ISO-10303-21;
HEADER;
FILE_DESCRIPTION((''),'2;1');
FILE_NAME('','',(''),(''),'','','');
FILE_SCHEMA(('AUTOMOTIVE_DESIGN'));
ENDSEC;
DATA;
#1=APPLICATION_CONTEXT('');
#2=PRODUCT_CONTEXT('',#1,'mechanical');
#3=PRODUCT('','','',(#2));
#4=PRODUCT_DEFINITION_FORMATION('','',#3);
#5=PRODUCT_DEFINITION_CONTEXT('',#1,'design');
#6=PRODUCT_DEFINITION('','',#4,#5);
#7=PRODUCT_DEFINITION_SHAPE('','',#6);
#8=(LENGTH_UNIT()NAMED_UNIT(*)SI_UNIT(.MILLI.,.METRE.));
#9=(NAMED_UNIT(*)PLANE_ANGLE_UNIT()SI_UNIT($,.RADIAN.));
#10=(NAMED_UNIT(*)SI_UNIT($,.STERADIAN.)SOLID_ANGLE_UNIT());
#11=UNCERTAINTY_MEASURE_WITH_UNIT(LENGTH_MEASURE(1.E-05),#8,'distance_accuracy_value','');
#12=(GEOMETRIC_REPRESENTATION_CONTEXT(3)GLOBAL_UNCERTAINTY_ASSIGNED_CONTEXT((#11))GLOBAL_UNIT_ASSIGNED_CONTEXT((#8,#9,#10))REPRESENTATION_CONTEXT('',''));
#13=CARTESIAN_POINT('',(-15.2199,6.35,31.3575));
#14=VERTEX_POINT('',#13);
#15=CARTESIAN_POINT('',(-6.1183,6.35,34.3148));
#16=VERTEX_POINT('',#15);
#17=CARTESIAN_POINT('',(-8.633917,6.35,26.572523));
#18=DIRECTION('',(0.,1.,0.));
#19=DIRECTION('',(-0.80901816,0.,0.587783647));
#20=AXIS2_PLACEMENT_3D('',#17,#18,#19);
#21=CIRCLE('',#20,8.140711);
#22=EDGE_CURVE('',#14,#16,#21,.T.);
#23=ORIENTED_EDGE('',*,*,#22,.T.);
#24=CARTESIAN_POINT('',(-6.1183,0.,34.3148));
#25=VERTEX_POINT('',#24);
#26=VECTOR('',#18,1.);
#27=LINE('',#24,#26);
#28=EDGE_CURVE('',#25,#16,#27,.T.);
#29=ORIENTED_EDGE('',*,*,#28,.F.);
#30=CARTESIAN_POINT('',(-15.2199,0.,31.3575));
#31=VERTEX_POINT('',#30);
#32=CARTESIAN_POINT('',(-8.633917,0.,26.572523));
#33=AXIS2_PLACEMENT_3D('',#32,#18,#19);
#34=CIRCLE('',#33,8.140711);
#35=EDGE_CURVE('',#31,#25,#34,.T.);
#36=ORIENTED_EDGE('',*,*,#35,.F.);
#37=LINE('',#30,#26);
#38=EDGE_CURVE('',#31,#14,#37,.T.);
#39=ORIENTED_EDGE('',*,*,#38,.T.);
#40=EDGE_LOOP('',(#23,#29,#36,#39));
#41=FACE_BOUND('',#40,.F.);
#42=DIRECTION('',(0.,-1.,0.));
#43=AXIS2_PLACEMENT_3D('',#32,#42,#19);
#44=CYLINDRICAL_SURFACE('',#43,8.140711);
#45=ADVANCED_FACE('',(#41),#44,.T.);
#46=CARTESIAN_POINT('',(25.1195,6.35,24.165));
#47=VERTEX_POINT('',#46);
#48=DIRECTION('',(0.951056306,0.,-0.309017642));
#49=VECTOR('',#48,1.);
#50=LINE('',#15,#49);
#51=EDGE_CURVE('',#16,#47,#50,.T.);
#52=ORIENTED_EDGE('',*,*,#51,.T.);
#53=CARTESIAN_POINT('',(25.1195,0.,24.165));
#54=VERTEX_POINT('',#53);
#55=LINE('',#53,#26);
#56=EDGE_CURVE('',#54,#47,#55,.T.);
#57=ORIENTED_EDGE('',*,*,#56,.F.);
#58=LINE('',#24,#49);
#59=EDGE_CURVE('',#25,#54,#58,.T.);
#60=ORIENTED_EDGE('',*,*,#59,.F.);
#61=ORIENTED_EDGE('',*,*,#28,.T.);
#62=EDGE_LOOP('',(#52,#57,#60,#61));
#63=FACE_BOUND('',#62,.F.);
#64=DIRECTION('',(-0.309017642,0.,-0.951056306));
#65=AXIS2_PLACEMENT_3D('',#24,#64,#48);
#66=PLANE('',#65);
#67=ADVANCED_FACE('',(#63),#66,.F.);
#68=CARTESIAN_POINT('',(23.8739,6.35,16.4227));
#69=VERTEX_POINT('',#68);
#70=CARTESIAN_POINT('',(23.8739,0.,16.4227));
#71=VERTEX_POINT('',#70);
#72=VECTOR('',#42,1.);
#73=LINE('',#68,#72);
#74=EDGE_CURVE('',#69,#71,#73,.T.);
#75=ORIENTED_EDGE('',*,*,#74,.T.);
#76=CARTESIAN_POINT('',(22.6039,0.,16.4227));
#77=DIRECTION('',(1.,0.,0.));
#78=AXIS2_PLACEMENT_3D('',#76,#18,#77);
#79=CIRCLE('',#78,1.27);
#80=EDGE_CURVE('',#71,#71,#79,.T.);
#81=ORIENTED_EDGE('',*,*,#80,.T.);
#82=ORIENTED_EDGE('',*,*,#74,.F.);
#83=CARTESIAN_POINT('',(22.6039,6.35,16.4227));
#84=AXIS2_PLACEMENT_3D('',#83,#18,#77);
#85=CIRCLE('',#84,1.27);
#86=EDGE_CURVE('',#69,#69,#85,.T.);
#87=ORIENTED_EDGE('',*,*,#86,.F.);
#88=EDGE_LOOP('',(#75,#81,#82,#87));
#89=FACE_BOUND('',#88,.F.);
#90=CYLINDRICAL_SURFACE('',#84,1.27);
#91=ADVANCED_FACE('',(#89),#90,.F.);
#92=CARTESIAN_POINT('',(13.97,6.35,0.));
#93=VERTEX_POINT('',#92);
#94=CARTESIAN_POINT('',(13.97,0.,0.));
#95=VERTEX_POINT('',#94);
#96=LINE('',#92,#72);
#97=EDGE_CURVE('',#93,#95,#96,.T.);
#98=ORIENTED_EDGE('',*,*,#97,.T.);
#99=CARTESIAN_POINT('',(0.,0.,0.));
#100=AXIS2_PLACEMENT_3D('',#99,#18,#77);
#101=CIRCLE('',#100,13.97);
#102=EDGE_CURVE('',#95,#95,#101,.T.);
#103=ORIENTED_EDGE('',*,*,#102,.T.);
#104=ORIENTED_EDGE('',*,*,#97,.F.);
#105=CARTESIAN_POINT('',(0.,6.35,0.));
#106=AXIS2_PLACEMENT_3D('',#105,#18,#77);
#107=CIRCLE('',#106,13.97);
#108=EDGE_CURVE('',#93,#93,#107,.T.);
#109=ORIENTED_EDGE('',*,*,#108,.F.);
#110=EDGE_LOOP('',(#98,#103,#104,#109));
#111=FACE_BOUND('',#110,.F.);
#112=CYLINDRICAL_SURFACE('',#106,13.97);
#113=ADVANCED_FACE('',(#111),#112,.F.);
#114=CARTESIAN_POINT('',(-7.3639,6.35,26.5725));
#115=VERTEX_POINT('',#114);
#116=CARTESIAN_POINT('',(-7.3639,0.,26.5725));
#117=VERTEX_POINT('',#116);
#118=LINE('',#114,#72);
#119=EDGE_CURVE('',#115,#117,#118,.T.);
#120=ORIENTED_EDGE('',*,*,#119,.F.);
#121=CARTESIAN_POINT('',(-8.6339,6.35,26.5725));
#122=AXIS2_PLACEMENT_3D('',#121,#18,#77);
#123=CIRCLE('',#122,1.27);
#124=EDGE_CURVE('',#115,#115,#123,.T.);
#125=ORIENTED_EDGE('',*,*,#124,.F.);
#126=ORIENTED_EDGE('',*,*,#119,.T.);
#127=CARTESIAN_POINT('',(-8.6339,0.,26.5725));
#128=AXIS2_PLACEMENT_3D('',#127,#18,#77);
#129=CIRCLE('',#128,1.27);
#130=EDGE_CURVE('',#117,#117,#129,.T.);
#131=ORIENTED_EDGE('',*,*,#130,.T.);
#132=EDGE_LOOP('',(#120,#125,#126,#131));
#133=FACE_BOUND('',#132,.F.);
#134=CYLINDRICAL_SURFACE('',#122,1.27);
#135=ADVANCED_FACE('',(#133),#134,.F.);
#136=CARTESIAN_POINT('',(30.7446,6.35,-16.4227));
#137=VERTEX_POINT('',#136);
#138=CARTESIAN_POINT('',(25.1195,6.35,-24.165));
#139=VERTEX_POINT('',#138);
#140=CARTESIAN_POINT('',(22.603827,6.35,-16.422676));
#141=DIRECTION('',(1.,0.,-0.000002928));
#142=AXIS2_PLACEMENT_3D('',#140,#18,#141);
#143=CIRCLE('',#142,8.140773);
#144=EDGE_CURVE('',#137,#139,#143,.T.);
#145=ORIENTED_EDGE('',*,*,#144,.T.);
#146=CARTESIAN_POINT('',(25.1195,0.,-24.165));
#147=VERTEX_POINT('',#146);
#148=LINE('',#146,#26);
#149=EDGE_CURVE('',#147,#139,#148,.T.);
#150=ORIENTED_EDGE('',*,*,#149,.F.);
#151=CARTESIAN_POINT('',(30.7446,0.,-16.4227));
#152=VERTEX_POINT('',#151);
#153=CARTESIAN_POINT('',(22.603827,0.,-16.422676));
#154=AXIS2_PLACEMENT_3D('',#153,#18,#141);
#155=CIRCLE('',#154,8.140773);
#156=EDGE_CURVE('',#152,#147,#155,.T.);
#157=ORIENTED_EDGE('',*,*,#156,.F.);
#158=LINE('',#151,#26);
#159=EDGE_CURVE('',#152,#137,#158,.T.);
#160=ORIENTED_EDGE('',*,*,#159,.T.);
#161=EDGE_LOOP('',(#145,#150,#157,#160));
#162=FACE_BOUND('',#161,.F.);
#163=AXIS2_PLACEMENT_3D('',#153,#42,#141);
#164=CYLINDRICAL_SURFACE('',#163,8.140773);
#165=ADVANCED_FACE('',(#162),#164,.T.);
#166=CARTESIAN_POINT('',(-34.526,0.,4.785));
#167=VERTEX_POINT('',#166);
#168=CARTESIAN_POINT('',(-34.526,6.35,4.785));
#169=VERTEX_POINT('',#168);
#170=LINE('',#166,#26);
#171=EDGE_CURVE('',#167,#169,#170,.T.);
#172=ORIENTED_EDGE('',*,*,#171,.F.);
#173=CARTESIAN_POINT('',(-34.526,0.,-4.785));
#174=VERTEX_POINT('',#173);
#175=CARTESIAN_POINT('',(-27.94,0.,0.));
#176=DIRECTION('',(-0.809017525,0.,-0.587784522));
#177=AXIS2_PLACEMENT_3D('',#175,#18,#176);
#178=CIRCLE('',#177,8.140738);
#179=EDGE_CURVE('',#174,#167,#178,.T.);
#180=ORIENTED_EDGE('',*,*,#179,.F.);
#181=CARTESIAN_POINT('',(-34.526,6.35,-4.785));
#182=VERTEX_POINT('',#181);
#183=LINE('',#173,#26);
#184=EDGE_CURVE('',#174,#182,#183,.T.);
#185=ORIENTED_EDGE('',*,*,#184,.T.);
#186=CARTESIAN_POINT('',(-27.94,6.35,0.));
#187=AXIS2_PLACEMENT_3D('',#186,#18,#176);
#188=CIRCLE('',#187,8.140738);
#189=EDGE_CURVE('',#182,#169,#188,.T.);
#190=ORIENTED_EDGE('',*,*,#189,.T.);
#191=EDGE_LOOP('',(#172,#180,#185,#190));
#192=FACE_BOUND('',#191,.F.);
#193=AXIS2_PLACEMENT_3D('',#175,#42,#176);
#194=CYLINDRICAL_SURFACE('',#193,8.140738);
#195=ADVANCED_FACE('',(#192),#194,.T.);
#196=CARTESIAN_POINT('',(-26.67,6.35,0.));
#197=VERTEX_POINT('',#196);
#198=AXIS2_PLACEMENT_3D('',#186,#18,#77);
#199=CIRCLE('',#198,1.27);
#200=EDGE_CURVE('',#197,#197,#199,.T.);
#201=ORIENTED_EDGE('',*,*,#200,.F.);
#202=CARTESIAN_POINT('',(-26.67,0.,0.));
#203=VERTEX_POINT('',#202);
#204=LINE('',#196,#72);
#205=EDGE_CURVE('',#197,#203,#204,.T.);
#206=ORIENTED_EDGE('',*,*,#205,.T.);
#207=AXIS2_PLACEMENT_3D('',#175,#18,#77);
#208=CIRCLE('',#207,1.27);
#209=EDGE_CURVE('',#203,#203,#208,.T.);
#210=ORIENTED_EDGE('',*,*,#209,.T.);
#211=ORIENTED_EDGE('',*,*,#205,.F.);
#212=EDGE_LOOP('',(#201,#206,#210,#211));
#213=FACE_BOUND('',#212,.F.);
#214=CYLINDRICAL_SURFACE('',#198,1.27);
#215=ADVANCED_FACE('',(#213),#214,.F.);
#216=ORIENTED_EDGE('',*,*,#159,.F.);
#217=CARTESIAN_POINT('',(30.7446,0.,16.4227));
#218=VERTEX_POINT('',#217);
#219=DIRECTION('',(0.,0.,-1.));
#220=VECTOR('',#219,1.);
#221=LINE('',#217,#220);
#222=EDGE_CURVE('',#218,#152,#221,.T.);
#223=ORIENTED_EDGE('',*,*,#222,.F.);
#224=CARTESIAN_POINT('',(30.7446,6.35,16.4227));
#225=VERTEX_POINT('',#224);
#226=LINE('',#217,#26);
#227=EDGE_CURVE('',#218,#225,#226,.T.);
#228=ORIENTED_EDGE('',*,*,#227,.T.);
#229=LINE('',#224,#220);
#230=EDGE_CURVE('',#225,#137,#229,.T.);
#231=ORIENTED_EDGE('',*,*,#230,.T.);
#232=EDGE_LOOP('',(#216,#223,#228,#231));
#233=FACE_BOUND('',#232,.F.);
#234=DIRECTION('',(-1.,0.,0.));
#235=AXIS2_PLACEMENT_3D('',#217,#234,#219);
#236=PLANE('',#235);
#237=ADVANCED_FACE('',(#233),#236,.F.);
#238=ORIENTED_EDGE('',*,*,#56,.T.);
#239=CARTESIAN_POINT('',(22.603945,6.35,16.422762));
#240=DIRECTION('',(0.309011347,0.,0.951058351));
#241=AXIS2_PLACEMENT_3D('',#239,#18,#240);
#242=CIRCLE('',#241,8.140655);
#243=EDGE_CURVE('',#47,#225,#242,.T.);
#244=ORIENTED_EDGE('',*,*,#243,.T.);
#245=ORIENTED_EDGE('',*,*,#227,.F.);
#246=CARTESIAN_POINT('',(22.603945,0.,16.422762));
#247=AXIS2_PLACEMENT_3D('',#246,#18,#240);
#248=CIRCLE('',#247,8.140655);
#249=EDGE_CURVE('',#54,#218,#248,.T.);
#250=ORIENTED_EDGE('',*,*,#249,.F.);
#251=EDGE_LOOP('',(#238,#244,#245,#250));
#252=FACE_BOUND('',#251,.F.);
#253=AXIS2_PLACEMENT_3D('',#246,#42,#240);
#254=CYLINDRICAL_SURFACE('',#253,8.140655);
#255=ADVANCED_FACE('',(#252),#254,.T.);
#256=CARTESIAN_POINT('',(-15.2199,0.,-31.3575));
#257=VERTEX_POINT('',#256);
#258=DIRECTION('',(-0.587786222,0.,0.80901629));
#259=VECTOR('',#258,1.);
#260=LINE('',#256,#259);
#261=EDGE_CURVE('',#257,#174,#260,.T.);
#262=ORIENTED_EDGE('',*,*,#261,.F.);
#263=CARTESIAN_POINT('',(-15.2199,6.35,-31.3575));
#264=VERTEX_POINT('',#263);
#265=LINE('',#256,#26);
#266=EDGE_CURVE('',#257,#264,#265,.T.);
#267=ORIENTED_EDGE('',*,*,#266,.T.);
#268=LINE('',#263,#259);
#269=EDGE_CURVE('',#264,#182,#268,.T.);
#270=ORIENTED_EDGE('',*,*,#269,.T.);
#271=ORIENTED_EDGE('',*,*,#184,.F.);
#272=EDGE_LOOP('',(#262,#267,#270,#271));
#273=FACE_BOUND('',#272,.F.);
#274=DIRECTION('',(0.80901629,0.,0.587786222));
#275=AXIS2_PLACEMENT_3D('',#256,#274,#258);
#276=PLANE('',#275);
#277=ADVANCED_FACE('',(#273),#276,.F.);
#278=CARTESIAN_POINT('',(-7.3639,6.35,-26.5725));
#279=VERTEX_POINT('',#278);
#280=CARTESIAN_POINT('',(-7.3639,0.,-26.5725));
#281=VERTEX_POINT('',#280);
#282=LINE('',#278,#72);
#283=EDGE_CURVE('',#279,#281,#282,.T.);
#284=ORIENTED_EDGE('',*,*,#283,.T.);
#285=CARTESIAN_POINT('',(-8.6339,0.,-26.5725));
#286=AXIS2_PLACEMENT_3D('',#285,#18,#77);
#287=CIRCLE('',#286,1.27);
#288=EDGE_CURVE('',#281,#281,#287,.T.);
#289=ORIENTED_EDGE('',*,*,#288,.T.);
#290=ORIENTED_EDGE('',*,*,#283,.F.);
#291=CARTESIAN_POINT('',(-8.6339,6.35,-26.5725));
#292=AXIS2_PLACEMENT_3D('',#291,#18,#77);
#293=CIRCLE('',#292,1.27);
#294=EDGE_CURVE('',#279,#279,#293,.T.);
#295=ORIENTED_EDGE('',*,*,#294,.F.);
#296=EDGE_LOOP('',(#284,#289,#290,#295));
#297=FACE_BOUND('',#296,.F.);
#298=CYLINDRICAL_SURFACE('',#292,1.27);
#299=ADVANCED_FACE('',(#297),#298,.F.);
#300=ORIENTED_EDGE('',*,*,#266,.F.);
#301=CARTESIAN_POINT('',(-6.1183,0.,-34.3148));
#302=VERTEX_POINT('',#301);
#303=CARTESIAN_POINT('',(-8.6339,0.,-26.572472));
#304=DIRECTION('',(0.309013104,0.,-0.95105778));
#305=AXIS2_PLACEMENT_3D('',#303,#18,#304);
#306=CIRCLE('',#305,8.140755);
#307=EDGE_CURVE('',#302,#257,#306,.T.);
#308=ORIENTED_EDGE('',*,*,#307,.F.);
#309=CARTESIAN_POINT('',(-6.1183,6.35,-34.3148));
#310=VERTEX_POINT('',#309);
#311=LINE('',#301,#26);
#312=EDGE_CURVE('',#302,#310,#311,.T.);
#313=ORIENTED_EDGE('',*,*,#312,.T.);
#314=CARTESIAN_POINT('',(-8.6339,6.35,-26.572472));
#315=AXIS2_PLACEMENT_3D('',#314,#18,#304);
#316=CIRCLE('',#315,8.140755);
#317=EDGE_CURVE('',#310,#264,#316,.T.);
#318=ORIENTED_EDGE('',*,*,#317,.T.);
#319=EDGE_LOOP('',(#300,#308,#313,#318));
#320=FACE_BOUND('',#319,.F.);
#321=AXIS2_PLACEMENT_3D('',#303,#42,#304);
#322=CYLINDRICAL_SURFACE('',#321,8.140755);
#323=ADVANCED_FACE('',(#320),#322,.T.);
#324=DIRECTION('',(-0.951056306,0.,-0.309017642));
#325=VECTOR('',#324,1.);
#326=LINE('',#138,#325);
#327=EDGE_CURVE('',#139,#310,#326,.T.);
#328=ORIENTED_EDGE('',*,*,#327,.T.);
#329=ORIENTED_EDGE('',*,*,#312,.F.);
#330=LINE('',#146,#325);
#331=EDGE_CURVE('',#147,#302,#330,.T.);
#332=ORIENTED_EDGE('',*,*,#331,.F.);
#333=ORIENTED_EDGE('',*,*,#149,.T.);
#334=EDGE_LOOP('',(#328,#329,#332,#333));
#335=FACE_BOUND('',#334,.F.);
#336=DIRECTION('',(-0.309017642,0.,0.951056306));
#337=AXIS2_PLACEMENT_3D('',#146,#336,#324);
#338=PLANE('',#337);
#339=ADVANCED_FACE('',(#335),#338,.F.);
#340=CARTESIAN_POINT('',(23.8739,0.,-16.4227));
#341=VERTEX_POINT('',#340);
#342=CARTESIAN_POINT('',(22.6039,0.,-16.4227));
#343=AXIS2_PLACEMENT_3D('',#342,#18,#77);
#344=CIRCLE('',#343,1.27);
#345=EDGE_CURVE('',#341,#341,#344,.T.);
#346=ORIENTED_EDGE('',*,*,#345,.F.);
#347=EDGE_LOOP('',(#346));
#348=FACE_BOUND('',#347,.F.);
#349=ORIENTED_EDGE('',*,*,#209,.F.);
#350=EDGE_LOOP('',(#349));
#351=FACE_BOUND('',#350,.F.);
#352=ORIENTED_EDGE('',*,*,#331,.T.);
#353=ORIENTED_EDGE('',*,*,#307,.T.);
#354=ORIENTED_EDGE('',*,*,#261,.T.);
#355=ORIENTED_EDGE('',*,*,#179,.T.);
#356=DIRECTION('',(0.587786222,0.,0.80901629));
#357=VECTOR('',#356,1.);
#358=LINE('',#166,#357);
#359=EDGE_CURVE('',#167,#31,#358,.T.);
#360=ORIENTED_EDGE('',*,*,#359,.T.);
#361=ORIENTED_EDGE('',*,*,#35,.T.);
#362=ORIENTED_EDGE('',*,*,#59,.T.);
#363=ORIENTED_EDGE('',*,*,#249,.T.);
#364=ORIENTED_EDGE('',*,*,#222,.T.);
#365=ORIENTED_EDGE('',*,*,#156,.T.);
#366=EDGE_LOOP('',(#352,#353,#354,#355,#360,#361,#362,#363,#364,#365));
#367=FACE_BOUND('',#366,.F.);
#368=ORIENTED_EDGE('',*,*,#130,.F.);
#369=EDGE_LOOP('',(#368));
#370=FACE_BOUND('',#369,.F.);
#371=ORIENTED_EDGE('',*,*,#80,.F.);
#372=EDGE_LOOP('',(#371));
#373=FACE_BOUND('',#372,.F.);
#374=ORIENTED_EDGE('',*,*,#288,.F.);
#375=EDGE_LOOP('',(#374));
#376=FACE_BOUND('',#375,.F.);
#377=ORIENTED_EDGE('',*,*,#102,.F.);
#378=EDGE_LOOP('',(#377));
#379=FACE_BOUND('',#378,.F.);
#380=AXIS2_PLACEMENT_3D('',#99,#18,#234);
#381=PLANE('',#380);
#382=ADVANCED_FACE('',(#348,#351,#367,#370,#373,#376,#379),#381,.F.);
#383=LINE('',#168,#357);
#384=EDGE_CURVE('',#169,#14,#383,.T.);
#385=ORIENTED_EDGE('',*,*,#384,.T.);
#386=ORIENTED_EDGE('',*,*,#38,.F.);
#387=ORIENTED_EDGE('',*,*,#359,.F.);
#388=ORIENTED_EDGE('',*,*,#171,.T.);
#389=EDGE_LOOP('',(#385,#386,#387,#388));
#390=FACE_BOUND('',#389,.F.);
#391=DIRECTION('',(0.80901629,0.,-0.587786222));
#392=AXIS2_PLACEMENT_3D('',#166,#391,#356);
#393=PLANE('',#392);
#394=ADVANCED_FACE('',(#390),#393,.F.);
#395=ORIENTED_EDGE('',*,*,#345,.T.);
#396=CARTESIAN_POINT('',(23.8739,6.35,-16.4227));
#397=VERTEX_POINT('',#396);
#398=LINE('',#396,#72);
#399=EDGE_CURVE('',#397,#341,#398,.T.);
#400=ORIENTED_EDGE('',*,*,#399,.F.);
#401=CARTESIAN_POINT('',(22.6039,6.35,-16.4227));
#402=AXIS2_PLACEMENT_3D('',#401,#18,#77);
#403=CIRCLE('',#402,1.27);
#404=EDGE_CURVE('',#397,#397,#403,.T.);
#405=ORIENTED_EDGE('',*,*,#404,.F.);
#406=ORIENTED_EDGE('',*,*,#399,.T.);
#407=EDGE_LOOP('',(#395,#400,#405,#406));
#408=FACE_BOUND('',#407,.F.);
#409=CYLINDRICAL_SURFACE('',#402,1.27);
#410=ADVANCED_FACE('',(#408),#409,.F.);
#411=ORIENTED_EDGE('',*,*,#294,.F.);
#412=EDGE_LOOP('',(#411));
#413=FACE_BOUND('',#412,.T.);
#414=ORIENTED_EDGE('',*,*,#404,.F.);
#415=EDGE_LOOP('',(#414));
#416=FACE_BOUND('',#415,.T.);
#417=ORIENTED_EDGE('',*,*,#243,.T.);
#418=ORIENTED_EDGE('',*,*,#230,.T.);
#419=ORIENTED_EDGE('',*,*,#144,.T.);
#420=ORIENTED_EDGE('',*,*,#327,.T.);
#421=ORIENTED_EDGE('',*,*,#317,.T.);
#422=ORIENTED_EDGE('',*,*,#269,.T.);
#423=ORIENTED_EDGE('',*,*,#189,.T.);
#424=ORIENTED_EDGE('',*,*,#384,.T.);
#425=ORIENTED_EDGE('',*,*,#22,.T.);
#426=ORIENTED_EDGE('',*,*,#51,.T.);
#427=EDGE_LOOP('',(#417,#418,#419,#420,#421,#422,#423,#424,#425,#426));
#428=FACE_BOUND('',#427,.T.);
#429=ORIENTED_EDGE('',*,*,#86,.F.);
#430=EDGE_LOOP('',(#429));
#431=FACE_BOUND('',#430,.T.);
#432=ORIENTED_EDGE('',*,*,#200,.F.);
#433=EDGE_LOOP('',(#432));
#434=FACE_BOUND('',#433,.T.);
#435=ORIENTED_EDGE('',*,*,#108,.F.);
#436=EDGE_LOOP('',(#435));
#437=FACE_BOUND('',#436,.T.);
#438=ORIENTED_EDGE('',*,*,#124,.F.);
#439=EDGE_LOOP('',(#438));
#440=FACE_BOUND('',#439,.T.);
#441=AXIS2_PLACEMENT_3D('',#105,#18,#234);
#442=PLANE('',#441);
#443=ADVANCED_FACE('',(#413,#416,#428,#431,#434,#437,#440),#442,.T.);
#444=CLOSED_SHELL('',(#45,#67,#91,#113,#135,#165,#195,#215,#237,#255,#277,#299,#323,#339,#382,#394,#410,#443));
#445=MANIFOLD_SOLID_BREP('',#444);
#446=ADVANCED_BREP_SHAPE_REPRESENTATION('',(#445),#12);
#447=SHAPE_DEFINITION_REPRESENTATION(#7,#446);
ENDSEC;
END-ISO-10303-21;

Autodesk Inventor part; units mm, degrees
ref_plane "YZ Plane" through (0, 0, 0) normal (1, 0, 0) x (0, 1, 0)
ref_plane "XZ Plane" through (0, 0, 0) normal (0, 1, 0) x (-1, 0, 0)
ref_plane "XY Plane" through (0, 0, 0) normal (0, 0, 1) x (1, 0, 0)
sketch "Sketch1" plane through (0, 0, 0) normal (0, 1, 0) x (-1, 0, 0)
  circle A0 centre (0, 0) radius 19.304
  line L0 (0, 0) -> (27.94, 0) construction
  circle A1 centre (27.94, 0) radius 3.3782
  circle A2 centre (8.6339, 26.5725) radius 3.3782
  circle A3 centre (-22.6039, 16.4227) radius 3.3782
  circle A4 centre (-22.6039, -16.4227) radius 3.3782
  circle A5 centre (8.6339, -26.5725) radius 3.3782
  line L1 (34.526, 4.785) -> (15.2199, 31.3575)
  arc A6 (15.2199, 31.3575) -> (6.1183, 34.3148) centre (8.6339, 26.5725) ccw
  line L2 (6.1183, 34.3148) -> (-25.1195, 24.165)
  arc A7 (-25.1195, 24.165) -> (-30.7446, 16.4227) centre (-22.6039, 16.4227) ccw
  line L3 (-30.7446, 16.4227) -> (-30.7446, -16.4227)
  arc A8 (-30.7446, -16.4227) -> (-25.1195, -24.165) centre (-22.6039, -16.4227) ccw
  line L4 (-25.1195, -24.165) -> (6.1183, -34.3148)
  arc A9 (6.1183, -34.3148) -> (15.2199, -31.3575) centre (8.6339, -26.5725) ccw
  line L5 (15.2199, -31.3575) -> (34.526, -4.785)
  arc A10 (34.526, -4.785) -> (34.526, 4.785) centre (27.94, 0) ccw
  dimension "d0" = 38.608
  dimension "d1" = 27.94
  dimension "d2" = 6.7564
  dimension "d5" = 360
  dimension "d7" = 4.7625
extrude "Extrusion1" add sketch "Sketch1" along normal blind 6.35
sketch "Sketch2" plane through (0, 6.35, 0) normal (0, 1, 0) x (1, 0, 0)
  arc A0 (-15.2199, -31.3575) -> (-6.1183, -34.3148) centre (-8.6339, -26.5725) ccw projected
  line L0 (-6.1183, -34.3148) -> (25.1195, -24.165) projected
  arc A1 (25.1195, -24.165) -> (30.7446, -16.4227) centre (22.6039, -16.4227) ccw projected
  line L1 (30.7446, -16.4227) -> (30.7446, 16.4227) projected
  arc A2 (30.7446, 16.4227) -> (25.1195, 24.165) centre (22.6039, 16.4227) ccw projected
  line L2 (25.1195, 24.165) -> (-6.1183, 34.3148) projected
  arc A3 (-6.1183, 34.3148) -> (-15.2199, 31.3575) centre (-8.6339, 26.5725) ccw projected
  line L3 (-15.2199, 31.3575) -> (-34.526, 4.785) projected
  arc A4 (-34.526, 4.785) -> (-34.526, -4.785) centre (-27.94, 0) ccw projected
  line L4 (-34.526, -4.785) -> (-15.2199, -31.3575) projected
  circle A5 centre (-27.94, 0) radius 3.3782 projected
  circle A6 centre (-8.6339, 26.5725) radius 3.3782 projected
  circle A7 centre (22.6039, 16.4227) radius 3.3782 projected
  circle A8 centre (22.6039, -16.4227) radius 3.3782 projected
  circle A9 centre (-8.6339, -26.5725) radius 3.3782 projected
  circle A10 centre (0, 0) radius 19.304 projected
  circle A11 centre (0, 0) radius 13.97
  circle A12 centre (-27.94, 0) radius 1.27
  circle A13 centre (-8.6339, 26.5725) radius 1.27
  circle A14 centre (22.6039, 16.4227) radius 1.27
  circle A15 centre (22.6039, -16.4227) radius 1.27
  circle A16 centre (-8.6339, -26.5725) radius 1.27
  dimension "d10" = 27.94
  dimension "d11" = 2.54
  dimension "d12" = 2.54
  dimension "d13" = 2.54
  dimension "d14" = 2.54
  dimension "d15" = 2.54
extrude "Extrusion2" add sketch "Sketch2" against normal up to surface (6.35 mm away) contours A5 | A6 | A7 | A8 | A9 | A10
properties part number "gearSpacer" material "Aluminum 6061"
